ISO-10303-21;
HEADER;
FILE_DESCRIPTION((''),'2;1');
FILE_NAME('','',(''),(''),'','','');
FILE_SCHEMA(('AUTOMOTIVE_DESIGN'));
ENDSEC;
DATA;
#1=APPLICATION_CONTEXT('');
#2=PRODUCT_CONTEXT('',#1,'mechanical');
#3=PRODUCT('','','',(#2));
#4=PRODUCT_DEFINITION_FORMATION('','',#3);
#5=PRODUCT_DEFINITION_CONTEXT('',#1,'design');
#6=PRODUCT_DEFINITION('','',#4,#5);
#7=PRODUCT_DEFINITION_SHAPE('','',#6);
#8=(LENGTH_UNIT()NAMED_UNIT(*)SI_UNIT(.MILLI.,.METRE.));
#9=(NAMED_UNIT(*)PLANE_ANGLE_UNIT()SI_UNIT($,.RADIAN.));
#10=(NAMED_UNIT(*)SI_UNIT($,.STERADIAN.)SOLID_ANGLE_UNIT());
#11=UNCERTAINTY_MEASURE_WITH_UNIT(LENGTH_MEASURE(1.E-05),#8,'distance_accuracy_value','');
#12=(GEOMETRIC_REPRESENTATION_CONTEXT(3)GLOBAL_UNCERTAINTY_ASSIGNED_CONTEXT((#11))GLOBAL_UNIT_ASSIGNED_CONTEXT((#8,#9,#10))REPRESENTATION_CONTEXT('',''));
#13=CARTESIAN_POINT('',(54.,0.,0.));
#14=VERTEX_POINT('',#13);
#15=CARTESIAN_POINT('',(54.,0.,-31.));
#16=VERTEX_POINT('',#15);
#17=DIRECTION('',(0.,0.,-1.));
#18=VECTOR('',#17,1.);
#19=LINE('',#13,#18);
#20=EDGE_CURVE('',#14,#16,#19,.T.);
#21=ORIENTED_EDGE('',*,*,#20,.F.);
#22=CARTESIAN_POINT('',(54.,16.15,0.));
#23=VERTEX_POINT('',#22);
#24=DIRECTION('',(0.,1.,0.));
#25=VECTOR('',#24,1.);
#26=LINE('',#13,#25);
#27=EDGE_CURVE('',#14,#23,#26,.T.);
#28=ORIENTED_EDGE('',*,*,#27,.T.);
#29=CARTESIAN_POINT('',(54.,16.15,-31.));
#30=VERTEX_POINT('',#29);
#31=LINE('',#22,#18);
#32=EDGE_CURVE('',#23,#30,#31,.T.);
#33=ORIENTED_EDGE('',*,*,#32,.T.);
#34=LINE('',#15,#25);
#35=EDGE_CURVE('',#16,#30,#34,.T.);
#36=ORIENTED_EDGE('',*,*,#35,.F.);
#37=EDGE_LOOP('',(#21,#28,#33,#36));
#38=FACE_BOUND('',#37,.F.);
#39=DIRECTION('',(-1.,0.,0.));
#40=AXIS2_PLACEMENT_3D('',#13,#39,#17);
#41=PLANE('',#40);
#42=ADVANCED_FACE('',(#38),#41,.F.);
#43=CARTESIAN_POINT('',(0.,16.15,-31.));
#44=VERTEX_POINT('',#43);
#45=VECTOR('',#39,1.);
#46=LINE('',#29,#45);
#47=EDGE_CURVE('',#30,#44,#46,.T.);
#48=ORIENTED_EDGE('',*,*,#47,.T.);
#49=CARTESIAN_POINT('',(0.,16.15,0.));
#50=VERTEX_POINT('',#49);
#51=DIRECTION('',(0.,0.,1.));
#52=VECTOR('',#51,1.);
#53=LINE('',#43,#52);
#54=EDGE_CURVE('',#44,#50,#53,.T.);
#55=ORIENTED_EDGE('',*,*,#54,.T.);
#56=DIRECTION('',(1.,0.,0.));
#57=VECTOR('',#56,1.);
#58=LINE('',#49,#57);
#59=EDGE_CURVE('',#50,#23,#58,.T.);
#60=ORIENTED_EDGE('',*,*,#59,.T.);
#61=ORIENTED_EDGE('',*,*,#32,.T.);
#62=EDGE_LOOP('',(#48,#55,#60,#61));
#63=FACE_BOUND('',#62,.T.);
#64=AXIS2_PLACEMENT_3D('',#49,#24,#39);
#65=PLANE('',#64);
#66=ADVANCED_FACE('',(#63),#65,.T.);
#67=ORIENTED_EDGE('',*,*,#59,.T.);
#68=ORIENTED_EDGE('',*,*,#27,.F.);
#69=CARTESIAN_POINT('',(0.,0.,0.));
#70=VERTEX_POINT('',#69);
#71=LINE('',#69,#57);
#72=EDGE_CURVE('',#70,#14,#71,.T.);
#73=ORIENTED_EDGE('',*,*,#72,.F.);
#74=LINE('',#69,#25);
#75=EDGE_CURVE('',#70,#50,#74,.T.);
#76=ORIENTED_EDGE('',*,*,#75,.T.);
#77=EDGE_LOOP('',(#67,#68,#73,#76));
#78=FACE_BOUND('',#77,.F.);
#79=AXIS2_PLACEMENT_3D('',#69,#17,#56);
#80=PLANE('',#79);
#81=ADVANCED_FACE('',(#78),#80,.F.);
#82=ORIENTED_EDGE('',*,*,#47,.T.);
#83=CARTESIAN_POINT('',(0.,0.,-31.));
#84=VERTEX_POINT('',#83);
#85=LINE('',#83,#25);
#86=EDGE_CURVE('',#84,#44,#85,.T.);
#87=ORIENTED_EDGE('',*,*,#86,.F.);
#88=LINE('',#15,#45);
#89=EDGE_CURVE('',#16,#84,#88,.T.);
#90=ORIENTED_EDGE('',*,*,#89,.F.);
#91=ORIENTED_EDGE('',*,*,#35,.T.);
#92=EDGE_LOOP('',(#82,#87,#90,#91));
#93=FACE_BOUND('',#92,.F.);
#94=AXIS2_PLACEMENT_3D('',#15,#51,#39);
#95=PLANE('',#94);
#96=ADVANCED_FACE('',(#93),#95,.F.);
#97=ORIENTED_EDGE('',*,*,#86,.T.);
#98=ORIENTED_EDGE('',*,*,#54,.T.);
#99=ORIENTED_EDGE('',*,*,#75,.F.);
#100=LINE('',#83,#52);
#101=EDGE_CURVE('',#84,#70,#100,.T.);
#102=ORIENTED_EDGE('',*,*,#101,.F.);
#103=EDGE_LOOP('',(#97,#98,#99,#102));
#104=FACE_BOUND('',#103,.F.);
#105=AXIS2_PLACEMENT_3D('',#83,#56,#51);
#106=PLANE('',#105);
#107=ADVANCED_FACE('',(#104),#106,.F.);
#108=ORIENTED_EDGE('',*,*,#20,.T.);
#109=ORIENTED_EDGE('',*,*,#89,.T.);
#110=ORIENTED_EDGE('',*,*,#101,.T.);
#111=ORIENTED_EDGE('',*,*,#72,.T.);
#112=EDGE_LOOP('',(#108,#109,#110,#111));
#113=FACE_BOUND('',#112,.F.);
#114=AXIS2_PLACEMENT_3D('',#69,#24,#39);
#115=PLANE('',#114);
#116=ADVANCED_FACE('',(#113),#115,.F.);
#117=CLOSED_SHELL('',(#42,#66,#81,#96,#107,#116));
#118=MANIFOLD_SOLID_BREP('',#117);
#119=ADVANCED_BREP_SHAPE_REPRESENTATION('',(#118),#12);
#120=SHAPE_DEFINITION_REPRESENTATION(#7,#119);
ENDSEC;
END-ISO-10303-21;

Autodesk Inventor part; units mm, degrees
ref_plane "YZ Plane" through (0, 0, 0) normal (1, 0, 0) x (0, 1, 0)
ref_plane "XZ Plane" through (0, 0, 0) normal (0, 1, 0) x (-1, 0, 0)
ref_plane "XY Plane" through (0, 0, 0) normal (0, 0, 1) x (1, 0, 0)
sketch "Szkic1" plane through (0, 0, 0) normal (0, 1, 0) x (-1, 0, 0)
  line L0 (0, 0) -> (-54, 0)
  line L1 (-54, 0) -> (-54, -31)
  line L2 (-54, -31) -> (0, -31)
  line L3 (0, -31) -> (0, 0)
  dimension "d0" = 54
  dimension "d1" = 31
extrude "Wyciągnięcie proste1" add sketch "Szkic1" along normal blind 16.15
properties part number "li_po_400mAh"
